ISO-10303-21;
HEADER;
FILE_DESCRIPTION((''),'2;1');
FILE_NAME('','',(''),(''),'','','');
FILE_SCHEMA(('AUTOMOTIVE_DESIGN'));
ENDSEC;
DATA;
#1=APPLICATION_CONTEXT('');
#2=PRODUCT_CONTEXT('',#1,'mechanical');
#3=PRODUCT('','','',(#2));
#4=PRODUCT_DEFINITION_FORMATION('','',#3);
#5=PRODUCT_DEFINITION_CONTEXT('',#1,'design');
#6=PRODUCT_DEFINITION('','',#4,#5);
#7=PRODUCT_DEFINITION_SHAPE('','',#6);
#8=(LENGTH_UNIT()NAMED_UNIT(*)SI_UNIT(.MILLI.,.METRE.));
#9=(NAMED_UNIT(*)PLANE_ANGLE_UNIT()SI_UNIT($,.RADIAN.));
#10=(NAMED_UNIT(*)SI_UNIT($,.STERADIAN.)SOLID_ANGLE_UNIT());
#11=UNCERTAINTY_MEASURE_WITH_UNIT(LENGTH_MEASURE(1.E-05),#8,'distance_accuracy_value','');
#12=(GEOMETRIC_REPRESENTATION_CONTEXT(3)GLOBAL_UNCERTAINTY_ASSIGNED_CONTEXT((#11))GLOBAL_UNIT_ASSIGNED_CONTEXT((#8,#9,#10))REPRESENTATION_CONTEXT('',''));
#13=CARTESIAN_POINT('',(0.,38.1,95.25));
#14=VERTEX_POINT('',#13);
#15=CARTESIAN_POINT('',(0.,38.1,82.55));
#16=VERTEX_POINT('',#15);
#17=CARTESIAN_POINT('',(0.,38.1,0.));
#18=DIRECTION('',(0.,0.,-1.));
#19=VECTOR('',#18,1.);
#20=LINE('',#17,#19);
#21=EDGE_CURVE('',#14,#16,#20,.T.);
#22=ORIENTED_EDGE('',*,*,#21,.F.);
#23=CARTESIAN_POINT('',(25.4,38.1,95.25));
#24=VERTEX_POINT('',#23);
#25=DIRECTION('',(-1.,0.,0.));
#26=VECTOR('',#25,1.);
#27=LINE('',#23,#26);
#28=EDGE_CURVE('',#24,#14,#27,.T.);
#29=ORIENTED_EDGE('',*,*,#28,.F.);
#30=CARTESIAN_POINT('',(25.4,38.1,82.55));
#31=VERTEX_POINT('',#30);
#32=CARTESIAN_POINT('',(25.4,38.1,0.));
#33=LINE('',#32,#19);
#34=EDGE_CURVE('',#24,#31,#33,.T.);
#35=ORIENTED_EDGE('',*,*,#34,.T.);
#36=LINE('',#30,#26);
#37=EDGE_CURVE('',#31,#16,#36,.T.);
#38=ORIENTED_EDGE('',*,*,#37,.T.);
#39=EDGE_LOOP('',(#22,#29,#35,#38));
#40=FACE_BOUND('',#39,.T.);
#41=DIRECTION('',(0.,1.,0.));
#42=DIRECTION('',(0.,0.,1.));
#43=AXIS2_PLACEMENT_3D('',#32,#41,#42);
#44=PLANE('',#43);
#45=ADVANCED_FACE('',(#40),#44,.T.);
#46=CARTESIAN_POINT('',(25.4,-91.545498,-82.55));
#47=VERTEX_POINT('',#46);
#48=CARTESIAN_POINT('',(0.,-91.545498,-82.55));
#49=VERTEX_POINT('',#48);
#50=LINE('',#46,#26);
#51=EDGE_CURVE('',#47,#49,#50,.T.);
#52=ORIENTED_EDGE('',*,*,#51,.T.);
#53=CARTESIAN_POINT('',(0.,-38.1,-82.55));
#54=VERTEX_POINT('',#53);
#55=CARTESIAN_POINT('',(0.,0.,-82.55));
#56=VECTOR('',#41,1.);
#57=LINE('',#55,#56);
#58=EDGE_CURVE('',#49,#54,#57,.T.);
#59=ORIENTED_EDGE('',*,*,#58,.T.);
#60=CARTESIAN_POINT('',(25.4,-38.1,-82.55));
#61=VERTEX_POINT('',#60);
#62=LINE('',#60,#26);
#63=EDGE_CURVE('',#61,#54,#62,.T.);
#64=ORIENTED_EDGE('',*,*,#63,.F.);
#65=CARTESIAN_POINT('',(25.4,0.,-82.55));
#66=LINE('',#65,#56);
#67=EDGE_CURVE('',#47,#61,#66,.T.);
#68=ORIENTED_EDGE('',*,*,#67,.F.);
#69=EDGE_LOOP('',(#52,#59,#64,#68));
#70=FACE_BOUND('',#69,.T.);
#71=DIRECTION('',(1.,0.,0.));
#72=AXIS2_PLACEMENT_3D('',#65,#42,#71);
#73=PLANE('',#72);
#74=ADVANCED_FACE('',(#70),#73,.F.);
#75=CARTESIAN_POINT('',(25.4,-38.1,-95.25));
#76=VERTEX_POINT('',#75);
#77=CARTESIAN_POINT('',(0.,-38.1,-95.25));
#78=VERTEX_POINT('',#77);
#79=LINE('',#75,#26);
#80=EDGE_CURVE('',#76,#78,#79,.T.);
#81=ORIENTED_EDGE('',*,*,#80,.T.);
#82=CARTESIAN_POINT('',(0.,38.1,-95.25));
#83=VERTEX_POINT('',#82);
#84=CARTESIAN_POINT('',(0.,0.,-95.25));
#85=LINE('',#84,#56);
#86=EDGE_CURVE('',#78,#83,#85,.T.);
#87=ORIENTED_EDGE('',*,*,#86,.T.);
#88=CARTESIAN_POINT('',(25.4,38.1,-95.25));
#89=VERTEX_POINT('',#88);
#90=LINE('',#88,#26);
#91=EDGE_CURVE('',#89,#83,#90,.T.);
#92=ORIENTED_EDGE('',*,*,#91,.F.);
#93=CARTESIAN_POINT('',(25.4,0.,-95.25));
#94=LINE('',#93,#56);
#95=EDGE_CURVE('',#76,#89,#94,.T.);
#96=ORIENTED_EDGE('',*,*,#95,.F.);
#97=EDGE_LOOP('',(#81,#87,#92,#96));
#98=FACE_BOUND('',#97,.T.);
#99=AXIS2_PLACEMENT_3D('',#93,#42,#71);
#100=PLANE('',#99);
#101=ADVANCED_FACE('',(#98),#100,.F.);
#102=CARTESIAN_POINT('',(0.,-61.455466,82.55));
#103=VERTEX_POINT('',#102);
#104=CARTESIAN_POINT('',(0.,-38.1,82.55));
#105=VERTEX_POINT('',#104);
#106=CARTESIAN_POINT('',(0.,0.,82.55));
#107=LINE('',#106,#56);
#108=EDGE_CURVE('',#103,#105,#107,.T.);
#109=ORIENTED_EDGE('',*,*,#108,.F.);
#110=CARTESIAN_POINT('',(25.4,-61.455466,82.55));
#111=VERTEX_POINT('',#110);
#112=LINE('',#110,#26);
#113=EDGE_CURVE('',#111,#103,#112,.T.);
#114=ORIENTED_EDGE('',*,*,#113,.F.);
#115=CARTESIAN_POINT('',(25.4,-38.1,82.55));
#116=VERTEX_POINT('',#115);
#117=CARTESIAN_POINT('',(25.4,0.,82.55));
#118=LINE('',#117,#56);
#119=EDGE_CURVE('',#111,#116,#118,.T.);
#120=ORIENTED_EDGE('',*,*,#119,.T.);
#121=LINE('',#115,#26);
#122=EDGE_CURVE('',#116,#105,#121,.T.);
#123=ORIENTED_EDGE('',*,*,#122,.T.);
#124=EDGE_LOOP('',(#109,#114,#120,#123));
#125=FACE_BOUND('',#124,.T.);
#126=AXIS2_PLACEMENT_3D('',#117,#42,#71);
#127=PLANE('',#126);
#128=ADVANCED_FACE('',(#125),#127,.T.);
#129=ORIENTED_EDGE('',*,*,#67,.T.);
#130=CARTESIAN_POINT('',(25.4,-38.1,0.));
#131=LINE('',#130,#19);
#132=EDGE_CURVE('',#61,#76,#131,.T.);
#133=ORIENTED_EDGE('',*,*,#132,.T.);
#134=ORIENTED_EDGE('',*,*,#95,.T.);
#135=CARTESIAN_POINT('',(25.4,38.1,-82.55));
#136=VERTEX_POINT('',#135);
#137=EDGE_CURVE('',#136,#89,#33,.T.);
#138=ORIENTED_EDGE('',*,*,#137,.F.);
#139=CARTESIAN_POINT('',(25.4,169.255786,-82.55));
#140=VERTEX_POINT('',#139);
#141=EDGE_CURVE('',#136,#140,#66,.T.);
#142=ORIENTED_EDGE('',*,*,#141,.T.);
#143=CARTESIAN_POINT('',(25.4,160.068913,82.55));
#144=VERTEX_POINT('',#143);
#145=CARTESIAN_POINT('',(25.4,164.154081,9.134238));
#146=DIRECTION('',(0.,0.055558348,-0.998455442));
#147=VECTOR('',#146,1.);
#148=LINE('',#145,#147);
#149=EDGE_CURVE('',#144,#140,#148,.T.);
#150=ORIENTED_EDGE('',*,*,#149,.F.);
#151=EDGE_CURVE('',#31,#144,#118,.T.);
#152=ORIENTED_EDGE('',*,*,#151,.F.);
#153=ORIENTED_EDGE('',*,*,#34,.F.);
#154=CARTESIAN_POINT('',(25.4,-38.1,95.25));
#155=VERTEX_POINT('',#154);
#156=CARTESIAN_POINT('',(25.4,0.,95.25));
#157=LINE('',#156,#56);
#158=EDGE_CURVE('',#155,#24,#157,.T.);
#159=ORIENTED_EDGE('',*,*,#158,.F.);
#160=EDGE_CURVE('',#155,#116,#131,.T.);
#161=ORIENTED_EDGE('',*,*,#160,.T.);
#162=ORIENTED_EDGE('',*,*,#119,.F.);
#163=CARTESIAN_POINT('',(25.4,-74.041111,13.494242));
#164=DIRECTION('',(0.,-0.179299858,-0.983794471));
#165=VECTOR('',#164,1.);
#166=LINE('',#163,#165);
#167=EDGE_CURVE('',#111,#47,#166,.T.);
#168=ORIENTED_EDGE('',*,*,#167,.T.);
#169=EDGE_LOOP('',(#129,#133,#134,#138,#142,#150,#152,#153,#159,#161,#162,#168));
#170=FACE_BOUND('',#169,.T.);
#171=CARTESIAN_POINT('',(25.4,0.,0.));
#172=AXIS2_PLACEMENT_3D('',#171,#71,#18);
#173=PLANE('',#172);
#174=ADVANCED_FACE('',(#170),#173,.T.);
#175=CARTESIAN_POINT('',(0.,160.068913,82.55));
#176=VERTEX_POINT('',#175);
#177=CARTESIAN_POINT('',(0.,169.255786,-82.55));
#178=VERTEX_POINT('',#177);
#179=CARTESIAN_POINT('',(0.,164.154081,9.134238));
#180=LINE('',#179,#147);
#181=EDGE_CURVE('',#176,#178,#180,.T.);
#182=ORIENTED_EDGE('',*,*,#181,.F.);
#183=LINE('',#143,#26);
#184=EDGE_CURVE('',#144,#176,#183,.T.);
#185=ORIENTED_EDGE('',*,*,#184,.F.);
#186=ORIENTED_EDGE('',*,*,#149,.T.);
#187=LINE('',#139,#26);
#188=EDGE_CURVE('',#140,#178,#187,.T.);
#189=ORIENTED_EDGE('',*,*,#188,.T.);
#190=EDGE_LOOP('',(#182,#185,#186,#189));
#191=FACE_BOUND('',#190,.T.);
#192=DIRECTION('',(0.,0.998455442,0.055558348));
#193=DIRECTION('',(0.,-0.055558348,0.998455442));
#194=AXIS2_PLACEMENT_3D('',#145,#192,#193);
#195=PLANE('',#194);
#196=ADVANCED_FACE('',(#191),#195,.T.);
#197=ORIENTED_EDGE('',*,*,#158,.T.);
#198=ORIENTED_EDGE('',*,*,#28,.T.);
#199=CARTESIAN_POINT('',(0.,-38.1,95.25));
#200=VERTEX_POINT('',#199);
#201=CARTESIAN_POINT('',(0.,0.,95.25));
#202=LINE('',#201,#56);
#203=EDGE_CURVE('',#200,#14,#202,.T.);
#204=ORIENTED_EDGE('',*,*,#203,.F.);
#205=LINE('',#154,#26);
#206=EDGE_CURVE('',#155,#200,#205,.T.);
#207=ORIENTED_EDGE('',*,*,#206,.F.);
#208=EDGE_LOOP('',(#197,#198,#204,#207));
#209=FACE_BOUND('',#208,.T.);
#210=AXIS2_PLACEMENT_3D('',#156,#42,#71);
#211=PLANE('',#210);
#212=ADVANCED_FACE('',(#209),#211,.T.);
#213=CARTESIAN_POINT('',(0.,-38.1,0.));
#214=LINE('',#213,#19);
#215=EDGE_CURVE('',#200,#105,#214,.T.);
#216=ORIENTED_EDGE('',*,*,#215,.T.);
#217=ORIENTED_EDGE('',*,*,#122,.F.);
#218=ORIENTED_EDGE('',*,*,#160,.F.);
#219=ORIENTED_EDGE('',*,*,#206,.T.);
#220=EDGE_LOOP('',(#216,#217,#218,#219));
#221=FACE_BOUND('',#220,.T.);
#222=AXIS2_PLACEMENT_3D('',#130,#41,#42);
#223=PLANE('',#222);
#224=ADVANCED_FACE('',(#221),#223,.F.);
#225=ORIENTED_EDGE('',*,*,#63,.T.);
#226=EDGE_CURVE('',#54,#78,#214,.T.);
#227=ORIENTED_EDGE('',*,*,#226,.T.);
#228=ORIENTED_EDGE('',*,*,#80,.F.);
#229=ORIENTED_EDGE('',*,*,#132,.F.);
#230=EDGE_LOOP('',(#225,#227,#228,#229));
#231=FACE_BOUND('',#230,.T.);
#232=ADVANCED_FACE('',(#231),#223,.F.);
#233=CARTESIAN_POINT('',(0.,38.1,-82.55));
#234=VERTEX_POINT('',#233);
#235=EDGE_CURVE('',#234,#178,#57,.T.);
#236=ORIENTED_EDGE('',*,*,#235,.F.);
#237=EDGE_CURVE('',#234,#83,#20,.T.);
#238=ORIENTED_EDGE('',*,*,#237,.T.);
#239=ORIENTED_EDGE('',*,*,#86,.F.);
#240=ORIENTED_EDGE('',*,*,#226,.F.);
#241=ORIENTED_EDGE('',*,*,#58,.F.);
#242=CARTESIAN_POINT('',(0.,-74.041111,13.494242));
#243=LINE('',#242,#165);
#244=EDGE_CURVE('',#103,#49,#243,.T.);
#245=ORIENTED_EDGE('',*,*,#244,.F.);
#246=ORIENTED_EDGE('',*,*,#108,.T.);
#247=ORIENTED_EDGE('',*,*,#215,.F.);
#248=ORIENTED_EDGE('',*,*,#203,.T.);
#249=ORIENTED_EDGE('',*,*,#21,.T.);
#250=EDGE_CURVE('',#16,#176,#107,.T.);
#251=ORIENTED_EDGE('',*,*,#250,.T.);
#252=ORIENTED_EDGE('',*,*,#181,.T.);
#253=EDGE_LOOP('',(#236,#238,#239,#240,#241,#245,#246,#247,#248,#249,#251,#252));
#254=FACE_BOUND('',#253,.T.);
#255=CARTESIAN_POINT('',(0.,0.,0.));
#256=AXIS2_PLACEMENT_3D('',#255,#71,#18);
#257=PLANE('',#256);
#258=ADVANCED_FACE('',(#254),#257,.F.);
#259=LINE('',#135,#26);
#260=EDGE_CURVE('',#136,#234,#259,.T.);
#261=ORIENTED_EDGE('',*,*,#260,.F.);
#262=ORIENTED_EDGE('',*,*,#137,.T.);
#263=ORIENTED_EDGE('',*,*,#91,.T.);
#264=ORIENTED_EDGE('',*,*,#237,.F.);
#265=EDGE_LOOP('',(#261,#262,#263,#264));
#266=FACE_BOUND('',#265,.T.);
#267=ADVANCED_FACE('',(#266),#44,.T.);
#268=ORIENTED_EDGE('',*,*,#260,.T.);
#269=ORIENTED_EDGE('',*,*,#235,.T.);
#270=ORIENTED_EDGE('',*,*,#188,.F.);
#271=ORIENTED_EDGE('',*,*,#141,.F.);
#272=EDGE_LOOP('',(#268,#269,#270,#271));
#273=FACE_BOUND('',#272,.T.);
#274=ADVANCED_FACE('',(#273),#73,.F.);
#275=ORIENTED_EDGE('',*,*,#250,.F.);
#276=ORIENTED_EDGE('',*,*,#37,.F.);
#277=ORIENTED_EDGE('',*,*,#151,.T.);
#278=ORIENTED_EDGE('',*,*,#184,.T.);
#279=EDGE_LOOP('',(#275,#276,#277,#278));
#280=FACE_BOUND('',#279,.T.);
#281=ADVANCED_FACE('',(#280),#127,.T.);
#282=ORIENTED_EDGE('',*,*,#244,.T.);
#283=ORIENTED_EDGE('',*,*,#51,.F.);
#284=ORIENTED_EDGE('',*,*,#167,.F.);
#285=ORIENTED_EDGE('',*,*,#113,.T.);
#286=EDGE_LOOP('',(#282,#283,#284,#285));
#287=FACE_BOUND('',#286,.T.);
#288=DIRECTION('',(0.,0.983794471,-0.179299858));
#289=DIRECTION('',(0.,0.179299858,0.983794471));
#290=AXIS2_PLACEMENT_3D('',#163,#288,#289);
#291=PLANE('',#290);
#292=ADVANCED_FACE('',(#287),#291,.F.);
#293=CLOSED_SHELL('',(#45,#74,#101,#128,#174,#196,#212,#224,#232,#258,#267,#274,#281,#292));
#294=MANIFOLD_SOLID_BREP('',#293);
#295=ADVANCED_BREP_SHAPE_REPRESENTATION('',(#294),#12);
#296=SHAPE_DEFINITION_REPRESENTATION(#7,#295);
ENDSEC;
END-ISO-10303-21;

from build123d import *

# Parameters (mm, degrees)
SKETCH1_W           = 12.7
SKETCH1_H           = 76.2
SKETCH1_W_2         = 165.1
BOSS_EXTRUDE1_DEPTH = 25.4


with BuildPart() as part:
    # Sketch1 → Boss-Extrude1 (new body)
    with BuildSketch(Plane(origin=(0, 0, 0), x_dir=(0, 0, -1), z_dir=(1, 0, 0))):
        Polygon((82.55, 169.255785694), (-82.55, 160.06891278), (-82.55, 38.1), (82.55, 38.1), align=None)
        with Locations((88.9, 0)):
            Rectangle(SKETCH1_W, SKETCH1_H)
        Rectangle(SKETCH1_W_2, SKETCH1_H)
        with Locations((-88.9, 0)):
            Rectangle(SKETCH1_W, SKETCH1_H)
        Polygon((82.55, -38.1), (-82.55, -38.1), (-82.55, -61.45546637), (82.55, -91.545497884), align=None)
    extrude(amount=BOSS_EXTRUDE1_DEPTH)


solid = part.part
